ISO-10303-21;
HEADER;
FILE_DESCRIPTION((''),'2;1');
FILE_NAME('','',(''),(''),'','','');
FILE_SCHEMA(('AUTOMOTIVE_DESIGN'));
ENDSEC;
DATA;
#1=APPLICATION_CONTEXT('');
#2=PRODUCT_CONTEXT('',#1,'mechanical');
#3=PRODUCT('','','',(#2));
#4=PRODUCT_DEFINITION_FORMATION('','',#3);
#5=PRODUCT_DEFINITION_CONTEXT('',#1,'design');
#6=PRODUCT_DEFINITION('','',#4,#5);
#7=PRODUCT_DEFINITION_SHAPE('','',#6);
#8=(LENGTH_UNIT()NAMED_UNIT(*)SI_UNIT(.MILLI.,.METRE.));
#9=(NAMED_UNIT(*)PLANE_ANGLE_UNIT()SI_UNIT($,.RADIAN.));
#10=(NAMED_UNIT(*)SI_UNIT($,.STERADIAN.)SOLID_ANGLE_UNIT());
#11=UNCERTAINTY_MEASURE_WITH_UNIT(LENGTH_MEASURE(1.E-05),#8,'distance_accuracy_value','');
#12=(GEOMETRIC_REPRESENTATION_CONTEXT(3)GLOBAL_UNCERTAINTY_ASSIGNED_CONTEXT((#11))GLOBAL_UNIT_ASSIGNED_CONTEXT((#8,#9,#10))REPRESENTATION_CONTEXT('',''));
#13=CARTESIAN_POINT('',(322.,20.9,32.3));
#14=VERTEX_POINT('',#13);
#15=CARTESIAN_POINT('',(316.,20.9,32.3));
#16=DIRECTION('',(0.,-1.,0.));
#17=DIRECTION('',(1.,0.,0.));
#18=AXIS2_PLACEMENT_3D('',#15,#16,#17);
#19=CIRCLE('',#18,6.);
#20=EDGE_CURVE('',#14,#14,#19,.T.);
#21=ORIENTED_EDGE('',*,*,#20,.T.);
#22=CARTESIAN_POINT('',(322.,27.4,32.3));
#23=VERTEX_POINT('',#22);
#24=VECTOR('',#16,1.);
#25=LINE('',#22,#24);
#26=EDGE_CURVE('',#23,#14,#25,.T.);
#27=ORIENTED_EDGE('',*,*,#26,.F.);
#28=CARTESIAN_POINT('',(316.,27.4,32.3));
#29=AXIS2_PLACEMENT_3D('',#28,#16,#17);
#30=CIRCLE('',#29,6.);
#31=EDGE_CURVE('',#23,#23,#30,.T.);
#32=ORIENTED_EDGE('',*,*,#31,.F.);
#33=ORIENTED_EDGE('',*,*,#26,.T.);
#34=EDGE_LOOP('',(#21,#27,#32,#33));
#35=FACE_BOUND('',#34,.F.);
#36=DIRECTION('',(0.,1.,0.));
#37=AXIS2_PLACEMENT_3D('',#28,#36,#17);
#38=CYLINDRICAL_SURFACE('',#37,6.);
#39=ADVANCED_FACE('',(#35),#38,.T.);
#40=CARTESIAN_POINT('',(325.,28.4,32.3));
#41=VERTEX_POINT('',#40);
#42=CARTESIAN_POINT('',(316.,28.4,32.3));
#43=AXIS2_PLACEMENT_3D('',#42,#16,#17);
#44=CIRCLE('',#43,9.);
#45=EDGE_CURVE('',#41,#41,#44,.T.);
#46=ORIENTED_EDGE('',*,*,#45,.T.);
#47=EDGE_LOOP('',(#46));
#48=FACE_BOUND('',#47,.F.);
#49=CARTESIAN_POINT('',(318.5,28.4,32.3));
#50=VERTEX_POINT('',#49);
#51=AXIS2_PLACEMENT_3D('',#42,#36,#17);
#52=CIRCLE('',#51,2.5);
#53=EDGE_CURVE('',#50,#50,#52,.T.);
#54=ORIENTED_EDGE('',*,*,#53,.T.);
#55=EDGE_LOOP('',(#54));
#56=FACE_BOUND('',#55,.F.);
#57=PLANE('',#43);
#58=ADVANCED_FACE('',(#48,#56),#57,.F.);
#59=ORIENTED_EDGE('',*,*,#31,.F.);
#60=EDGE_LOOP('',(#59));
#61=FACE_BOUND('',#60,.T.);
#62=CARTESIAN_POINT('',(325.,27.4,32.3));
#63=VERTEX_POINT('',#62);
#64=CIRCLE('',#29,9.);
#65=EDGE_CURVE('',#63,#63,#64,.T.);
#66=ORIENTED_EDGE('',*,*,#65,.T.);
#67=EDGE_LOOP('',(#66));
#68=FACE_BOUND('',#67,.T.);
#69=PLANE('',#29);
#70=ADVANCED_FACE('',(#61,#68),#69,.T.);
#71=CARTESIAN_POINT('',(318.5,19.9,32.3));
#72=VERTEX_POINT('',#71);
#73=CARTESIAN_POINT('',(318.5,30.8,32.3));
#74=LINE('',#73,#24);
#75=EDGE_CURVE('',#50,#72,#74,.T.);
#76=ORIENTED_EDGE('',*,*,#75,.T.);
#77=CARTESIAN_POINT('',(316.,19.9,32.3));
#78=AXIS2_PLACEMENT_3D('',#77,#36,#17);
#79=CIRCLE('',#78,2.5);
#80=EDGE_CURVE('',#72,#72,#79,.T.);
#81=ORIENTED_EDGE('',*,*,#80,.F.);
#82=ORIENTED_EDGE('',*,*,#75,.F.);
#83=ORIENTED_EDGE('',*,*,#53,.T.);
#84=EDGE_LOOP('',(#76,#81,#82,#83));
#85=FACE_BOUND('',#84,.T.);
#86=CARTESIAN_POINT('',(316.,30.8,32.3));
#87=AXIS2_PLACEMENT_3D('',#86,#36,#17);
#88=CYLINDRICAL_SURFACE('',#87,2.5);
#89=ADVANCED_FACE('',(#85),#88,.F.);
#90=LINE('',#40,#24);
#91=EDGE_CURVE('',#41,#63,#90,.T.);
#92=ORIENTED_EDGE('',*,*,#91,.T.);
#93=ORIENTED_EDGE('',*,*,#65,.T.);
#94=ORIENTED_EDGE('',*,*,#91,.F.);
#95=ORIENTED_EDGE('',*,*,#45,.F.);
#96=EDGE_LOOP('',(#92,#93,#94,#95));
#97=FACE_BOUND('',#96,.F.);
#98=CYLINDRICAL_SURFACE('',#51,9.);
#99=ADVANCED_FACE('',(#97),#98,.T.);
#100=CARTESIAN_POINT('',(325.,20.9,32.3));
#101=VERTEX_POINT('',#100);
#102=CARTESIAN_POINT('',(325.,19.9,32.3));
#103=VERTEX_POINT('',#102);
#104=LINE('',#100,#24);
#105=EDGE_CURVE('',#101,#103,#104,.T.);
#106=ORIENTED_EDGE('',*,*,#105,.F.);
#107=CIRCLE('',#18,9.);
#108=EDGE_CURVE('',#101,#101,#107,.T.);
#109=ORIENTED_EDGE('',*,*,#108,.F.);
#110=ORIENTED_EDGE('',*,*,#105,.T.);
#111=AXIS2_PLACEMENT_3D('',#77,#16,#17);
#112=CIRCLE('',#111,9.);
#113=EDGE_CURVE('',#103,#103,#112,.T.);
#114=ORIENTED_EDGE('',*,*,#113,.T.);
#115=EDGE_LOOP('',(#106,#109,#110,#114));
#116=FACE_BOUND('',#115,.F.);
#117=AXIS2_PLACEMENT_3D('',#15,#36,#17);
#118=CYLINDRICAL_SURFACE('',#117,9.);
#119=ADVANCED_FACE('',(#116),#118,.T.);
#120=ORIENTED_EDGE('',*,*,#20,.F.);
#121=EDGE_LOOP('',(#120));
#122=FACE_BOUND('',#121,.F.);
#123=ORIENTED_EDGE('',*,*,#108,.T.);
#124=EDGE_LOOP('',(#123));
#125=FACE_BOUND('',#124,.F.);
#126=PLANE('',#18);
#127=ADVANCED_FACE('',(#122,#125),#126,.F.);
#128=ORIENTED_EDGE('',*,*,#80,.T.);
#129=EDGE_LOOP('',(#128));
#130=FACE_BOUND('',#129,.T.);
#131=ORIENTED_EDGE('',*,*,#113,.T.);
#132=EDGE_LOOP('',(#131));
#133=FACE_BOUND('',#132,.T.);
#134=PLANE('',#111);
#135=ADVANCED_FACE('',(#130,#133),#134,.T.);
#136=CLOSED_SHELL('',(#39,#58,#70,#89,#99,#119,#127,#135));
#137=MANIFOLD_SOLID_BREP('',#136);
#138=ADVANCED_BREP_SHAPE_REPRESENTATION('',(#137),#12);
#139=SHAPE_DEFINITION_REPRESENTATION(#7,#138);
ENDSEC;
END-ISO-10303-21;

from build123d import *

# Parameters (mm, degrees)
CYLINDER277_R          = 2.5
CYLINDER277_DEPTH      = 14.5
CYLINDER275_R          = 6
CYLINDER275_DEPTH      = 6.5
CYLINDER276_R          = 9
CYLINDER276_DEPTH      = 1
CYLINDER274_R          = 9
CYLINDER274_DEPTH      = 1
CUT198_PLACEMENT_ANGLE = 90


with BuildPart() as cylinder277:
    # Cylinder277 → Cylinder277 (new body)
    with BuildSketch(Plane.XY.offset(-2.4)):
        Circle(CYLINDER277_R)
    extrude(amount=CYLINDER277_DEPTH)


with BuildPart() as cylinder275:
    # Cylinder275 → Cylinder275 (new body)
    with BuildSketch(Plane.XY.offset(1)):
        Circle(CYLINDER275_R)
    extrude(amount=CYLINDER275_DEPTH)


with BuildPart() as cylinder276:
    # Cylinder276 → Cylinder276 (new body)
    with BuildSketch(Plane.XY.offset(7.5)):
        Circle(CYLINDER276_R)
    extrude(amount=CYLINDER276_DEPTH)


with BuildPart() as cut198:
    # Cylinder274 → Cylinder274 (new body)
    with BuildSketch(Plane.XY):
        Circle(CYLINDER274_R)
    extrude(amount=CYLINDER274_DEPTH)

    # Fusion106: union Cylinder275, Cylinder276
    add(cylinder275.part)
    add(cylinder276.part)

    # Cut198: cut Cylinder277
    add(cylinder277.part, mode=Mode.SUBTRACT)


with BuildPart() as cut198_1:
    # Cut198 placement: moved
    add(cut198.part.moved(Location((316, 28.4, 32.3))).rotate(Axis((316, 28.4, 32.3), (1, 0, 0)), CUT198_PLACEMENT_ANGLE))


solid = cut198_1.part
